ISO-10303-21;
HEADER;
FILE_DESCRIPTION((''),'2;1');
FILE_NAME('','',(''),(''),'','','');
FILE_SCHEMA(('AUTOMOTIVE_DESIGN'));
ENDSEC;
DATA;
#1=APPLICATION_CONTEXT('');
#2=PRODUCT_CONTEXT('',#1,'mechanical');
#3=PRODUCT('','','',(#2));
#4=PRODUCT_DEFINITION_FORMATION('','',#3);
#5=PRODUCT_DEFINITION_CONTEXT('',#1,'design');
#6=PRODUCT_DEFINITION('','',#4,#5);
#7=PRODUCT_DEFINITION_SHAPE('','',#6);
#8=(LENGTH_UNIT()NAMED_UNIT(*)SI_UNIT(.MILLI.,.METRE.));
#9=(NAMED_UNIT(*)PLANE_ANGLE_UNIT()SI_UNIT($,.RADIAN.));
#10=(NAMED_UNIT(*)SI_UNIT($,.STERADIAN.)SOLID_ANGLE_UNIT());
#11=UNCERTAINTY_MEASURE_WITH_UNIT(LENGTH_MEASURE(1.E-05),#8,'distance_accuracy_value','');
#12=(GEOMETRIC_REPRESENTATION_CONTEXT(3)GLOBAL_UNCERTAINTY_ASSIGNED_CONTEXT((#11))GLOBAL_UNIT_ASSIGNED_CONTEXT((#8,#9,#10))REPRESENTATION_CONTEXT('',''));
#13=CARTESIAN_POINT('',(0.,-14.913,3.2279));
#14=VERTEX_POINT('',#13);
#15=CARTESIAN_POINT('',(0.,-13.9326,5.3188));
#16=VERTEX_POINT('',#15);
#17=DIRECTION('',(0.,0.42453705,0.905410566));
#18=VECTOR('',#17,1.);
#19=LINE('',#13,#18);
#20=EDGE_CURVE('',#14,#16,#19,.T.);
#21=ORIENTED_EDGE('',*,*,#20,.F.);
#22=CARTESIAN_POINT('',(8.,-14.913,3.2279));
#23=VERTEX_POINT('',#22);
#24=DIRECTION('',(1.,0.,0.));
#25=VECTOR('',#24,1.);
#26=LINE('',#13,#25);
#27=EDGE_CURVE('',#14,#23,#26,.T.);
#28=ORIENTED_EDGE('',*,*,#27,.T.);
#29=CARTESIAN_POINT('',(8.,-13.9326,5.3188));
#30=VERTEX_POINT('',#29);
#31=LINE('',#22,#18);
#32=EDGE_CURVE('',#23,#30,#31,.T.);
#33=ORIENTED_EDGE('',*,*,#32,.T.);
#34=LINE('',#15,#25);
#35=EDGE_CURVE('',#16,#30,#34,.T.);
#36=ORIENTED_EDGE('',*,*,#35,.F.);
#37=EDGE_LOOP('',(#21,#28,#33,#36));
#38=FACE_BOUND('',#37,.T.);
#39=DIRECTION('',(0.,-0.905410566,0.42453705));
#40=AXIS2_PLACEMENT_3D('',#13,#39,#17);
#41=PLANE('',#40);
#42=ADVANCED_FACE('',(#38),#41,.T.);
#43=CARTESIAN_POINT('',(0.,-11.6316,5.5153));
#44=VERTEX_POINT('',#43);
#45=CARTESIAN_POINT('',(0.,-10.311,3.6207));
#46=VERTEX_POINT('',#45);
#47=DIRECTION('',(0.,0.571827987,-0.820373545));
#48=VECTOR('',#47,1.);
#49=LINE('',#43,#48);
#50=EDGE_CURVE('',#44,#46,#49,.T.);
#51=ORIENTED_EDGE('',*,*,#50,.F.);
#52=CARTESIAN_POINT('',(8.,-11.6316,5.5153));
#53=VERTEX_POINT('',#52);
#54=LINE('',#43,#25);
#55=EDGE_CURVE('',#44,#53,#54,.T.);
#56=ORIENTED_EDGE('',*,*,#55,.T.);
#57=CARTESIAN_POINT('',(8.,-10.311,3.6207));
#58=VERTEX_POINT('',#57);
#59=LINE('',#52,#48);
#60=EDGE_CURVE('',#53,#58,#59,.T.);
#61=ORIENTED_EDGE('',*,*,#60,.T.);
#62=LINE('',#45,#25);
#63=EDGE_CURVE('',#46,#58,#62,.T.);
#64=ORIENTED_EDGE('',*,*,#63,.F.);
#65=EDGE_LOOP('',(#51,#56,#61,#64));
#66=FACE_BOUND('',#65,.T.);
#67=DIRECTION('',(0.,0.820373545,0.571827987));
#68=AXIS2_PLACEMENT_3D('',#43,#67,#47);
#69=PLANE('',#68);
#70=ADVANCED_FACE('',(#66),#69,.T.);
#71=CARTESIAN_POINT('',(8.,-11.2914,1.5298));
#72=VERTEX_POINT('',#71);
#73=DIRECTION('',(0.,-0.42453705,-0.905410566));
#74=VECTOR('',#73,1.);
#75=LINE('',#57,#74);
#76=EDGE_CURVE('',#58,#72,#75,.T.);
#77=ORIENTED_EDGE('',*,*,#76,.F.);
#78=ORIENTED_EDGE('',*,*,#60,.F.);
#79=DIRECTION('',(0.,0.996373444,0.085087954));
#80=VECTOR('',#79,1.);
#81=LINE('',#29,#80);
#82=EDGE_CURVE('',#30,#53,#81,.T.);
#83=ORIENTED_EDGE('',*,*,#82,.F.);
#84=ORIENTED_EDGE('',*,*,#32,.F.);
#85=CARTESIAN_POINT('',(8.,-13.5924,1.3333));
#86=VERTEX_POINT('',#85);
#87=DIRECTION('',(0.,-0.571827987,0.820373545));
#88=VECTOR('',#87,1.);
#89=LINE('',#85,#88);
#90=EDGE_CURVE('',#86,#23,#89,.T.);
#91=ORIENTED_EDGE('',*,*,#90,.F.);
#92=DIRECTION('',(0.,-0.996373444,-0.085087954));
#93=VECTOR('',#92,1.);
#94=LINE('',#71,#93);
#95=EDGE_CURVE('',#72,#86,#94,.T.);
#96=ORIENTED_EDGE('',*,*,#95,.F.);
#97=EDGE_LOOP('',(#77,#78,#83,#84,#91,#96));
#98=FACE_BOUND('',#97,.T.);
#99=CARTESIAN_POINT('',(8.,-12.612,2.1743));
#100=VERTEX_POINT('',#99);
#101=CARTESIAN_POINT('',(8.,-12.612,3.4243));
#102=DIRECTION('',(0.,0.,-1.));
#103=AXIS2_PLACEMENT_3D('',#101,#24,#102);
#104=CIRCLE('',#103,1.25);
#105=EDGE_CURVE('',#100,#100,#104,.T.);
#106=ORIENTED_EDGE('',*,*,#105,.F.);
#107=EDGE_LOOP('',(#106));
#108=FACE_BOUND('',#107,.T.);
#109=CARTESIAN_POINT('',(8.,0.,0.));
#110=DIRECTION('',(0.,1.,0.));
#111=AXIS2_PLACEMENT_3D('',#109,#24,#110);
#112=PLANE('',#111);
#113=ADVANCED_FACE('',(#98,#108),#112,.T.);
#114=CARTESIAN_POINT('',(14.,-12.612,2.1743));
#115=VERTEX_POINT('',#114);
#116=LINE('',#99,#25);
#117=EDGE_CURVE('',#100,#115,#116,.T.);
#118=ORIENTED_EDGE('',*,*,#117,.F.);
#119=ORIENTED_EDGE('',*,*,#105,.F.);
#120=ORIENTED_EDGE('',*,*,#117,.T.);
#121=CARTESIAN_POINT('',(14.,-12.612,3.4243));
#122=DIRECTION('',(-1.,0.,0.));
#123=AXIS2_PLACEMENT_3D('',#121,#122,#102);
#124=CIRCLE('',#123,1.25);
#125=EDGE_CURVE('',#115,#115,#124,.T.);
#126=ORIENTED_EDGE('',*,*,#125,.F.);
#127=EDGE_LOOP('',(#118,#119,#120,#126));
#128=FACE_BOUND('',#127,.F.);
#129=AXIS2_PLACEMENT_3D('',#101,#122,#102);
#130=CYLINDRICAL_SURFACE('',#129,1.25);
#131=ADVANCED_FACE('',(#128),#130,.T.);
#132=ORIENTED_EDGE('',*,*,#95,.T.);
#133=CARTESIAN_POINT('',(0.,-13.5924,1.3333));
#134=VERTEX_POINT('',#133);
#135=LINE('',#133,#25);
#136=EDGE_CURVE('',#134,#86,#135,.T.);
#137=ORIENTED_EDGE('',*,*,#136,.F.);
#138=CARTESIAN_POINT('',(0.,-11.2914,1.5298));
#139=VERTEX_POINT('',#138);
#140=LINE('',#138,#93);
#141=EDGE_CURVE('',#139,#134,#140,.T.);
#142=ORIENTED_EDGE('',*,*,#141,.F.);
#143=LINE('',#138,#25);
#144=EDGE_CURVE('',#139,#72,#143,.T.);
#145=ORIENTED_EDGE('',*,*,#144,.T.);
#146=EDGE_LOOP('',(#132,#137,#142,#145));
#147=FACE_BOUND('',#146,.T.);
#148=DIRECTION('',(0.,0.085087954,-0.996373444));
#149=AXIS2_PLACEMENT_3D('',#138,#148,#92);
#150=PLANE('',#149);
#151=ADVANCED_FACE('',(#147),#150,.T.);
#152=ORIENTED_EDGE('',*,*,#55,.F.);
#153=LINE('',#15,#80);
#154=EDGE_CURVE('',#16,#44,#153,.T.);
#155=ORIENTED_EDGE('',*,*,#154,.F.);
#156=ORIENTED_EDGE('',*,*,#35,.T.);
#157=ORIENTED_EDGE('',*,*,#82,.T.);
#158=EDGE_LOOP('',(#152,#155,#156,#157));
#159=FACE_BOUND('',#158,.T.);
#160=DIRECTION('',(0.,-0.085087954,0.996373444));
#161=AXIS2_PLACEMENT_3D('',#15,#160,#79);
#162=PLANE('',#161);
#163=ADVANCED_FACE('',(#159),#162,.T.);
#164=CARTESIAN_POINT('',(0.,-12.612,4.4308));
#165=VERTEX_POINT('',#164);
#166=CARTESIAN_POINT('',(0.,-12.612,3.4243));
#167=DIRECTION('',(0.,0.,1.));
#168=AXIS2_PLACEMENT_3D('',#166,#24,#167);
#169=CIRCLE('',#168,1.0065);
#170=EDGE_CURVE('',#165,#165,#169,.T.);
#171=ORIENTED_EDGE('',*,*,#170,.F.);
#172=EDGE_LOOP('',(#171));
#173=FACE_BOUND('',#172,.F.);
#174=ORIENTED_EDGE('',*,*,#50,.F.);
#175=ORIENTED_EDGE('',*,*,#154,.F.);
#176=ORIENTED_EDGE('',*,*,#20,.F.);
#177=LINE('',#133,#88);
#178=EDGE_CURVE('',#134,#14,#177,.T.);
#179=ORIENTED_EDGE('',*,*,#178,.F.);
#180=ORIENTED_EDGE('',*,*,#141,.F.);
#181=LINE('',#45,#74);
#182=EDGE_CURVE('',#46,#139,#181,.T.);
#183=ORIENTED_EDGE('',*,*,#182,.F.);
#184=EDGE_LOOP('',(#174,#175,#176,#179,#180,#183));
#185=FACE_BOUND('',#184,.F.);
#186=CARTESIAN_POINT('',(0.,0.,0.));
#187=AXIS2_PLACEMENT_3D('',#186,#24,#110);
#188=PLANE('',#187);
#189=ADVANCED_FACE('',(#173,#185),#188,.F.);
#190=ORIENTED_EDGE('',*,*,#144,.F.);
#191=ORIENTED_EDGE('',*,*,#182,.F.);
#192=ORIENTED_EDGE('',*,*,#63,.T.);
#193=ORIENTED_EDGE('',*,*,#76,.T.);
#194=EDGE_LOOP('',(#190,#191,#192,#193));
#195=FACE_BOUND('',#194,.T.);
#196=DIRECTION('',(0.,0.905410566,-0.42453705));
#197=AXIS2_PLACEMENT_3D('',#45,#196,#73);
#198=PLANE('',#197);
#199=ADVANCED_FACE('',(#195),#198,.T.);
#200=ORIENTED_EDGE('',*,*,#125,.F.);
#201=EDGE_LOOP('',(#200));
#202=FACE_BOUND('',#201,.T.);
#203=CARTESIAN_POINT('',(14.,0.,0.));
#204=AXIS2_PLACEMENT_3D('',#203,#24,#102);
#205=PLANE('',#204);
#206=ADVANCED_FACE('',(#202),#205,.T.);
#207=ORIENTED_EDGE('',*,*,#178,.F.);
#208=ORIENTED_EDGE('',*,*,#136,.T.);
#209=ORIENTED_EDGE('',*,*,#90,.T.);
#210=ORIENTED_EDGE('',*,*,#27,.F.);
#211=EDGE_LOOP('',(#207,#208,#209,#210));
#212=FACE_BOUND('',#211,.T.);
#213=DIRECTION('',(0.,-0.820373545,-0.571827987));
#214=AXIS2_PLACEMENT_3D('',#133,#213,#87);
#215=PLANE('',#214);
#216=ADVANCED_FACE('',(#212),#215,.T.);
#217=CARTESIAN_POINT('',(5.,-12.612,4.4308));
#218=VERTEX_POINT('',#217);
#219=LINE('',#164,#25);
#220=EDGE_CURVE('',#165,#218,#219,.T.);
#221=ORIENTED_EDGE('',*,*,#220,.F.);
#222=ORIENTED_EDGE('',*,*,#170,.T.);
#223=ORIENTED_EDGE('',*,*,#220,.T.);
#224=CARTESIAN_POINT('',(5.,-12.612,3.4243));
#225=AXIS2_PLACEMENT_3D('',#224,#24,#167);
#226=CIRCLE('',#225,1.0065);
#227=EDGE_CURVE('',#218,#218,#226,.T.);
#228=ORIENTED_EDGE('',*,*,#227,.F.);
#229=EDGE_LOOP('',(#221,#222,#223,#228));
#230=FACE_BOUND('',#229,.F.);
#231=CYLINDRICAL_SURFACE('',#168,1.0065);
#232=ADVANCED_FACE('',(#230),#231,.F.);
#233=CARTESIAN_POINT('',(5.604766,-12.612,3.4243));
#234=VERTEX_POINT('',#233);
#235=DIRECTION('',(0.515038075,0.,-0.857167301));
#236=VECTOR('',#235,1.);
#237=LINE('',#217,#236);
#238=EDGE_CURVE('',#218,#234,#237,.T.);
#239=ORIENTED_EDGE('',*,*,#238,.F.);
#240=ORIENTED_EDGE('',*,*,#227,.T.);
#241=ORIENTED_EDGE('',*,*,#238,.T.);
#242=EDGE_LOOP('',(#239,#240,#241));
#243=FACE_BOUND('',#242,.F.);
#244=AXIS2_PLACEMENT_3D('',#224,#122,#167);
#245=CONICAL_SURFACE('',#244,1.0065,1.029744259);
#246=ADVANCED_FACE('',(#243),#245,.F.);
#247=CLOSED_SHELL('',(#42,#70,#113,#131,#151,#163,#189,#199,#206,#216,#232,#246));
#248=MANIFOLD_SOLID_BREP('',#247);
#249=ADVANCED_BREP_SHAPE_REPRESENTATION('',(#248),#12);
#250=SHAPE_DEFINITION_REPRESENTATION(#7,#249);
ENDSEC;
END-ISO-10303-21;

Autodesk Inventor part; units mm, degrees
ref_plane "YZ Plane" through (0, 0, 0) normal (1, 0, 0) x (0, 1, 0)
ref_plane "XZ Plane" through (0, 0, 0) normal (0, 1, 0) x (-1, 0, 0)
ref_plane "XY Plane" through (0, 0, 0) normal (0, 0, 1) x (1, 0, 0)
sketch "Sketch1" plane through (0, 0, 0) normal (1, 0, 0) x (0, 1, 0)
  line L0 (-10.311, 3.6207) -> (-11.2914, 1.5298)
  line L1 (-11.2914, 1.5298) -> (-13.5924, 1.3333)
  line L2 (-13.5924, 1.3333) -> (-14.913, 3.2279)
  line L3 (-14.913, 3.2279) -> (-13.9326, 5.3188)
  line L4 (-13.9326, 5.3188) -> (-11.6316, 5.5153)
  line L5 (-11.6316, 5.5153) -> (-10.311, 3.6207)
  point P0 (0, 0)
  point P1 (-12.612, 3.4243)
  dimension "d0" = 2
extrude "Extrusion1" add sketch "Sketch1" along normal blind 8
sketch "Sketch2" plane through (8, 0, 0) normal (1, 0, 0) x (0, 0, -1)
  line L0 (-3.6207, -10.311) -> (-5.5153, -11.6316) projected
  line L1 (-3.2279, -14.913) -> (-1.3333, -13.5924) projected
  line L2 (-4.568, -10.9713) -> (-2.2806, -14.2527)
  circle A0 centre (-3.4243, -12.612) radius 1.25
  point P0 (0, 0)
  dimension "d3" = 2.5
extrude "Extrusion2" add sketch "Sketch2" along normal blind 6
thread "Thread1" size "M2.5x0.45" class "6g" standard "ANSI Metric M Profile" full length
sketch "Sketch3" plane through (0, 0, 0) normal (-1, 0, 0) x (0, 0, 1)
  line L0 (1.3333, -13.5924) -> (3.2279, -14.913) projected
  line L1 (5.5153, -11.6316) -> (3.6207, -10.311) projected
  line L2 (4.568, -10.9713) -> (2.2806, -14.2527)
  point P0 (0, 0)
  point P1 (3.4243, -12.612)
hole "Hole1" at (0, -12.612, 3.4243) direction (1, 0, 0) diameter 2.013 depth 5 tip angle 118 thread size "M2.5x0.45" class "6H" standard "ANSI Metric M Profile"
properties part number "standoff" material "Brass, Soft Yellow"
